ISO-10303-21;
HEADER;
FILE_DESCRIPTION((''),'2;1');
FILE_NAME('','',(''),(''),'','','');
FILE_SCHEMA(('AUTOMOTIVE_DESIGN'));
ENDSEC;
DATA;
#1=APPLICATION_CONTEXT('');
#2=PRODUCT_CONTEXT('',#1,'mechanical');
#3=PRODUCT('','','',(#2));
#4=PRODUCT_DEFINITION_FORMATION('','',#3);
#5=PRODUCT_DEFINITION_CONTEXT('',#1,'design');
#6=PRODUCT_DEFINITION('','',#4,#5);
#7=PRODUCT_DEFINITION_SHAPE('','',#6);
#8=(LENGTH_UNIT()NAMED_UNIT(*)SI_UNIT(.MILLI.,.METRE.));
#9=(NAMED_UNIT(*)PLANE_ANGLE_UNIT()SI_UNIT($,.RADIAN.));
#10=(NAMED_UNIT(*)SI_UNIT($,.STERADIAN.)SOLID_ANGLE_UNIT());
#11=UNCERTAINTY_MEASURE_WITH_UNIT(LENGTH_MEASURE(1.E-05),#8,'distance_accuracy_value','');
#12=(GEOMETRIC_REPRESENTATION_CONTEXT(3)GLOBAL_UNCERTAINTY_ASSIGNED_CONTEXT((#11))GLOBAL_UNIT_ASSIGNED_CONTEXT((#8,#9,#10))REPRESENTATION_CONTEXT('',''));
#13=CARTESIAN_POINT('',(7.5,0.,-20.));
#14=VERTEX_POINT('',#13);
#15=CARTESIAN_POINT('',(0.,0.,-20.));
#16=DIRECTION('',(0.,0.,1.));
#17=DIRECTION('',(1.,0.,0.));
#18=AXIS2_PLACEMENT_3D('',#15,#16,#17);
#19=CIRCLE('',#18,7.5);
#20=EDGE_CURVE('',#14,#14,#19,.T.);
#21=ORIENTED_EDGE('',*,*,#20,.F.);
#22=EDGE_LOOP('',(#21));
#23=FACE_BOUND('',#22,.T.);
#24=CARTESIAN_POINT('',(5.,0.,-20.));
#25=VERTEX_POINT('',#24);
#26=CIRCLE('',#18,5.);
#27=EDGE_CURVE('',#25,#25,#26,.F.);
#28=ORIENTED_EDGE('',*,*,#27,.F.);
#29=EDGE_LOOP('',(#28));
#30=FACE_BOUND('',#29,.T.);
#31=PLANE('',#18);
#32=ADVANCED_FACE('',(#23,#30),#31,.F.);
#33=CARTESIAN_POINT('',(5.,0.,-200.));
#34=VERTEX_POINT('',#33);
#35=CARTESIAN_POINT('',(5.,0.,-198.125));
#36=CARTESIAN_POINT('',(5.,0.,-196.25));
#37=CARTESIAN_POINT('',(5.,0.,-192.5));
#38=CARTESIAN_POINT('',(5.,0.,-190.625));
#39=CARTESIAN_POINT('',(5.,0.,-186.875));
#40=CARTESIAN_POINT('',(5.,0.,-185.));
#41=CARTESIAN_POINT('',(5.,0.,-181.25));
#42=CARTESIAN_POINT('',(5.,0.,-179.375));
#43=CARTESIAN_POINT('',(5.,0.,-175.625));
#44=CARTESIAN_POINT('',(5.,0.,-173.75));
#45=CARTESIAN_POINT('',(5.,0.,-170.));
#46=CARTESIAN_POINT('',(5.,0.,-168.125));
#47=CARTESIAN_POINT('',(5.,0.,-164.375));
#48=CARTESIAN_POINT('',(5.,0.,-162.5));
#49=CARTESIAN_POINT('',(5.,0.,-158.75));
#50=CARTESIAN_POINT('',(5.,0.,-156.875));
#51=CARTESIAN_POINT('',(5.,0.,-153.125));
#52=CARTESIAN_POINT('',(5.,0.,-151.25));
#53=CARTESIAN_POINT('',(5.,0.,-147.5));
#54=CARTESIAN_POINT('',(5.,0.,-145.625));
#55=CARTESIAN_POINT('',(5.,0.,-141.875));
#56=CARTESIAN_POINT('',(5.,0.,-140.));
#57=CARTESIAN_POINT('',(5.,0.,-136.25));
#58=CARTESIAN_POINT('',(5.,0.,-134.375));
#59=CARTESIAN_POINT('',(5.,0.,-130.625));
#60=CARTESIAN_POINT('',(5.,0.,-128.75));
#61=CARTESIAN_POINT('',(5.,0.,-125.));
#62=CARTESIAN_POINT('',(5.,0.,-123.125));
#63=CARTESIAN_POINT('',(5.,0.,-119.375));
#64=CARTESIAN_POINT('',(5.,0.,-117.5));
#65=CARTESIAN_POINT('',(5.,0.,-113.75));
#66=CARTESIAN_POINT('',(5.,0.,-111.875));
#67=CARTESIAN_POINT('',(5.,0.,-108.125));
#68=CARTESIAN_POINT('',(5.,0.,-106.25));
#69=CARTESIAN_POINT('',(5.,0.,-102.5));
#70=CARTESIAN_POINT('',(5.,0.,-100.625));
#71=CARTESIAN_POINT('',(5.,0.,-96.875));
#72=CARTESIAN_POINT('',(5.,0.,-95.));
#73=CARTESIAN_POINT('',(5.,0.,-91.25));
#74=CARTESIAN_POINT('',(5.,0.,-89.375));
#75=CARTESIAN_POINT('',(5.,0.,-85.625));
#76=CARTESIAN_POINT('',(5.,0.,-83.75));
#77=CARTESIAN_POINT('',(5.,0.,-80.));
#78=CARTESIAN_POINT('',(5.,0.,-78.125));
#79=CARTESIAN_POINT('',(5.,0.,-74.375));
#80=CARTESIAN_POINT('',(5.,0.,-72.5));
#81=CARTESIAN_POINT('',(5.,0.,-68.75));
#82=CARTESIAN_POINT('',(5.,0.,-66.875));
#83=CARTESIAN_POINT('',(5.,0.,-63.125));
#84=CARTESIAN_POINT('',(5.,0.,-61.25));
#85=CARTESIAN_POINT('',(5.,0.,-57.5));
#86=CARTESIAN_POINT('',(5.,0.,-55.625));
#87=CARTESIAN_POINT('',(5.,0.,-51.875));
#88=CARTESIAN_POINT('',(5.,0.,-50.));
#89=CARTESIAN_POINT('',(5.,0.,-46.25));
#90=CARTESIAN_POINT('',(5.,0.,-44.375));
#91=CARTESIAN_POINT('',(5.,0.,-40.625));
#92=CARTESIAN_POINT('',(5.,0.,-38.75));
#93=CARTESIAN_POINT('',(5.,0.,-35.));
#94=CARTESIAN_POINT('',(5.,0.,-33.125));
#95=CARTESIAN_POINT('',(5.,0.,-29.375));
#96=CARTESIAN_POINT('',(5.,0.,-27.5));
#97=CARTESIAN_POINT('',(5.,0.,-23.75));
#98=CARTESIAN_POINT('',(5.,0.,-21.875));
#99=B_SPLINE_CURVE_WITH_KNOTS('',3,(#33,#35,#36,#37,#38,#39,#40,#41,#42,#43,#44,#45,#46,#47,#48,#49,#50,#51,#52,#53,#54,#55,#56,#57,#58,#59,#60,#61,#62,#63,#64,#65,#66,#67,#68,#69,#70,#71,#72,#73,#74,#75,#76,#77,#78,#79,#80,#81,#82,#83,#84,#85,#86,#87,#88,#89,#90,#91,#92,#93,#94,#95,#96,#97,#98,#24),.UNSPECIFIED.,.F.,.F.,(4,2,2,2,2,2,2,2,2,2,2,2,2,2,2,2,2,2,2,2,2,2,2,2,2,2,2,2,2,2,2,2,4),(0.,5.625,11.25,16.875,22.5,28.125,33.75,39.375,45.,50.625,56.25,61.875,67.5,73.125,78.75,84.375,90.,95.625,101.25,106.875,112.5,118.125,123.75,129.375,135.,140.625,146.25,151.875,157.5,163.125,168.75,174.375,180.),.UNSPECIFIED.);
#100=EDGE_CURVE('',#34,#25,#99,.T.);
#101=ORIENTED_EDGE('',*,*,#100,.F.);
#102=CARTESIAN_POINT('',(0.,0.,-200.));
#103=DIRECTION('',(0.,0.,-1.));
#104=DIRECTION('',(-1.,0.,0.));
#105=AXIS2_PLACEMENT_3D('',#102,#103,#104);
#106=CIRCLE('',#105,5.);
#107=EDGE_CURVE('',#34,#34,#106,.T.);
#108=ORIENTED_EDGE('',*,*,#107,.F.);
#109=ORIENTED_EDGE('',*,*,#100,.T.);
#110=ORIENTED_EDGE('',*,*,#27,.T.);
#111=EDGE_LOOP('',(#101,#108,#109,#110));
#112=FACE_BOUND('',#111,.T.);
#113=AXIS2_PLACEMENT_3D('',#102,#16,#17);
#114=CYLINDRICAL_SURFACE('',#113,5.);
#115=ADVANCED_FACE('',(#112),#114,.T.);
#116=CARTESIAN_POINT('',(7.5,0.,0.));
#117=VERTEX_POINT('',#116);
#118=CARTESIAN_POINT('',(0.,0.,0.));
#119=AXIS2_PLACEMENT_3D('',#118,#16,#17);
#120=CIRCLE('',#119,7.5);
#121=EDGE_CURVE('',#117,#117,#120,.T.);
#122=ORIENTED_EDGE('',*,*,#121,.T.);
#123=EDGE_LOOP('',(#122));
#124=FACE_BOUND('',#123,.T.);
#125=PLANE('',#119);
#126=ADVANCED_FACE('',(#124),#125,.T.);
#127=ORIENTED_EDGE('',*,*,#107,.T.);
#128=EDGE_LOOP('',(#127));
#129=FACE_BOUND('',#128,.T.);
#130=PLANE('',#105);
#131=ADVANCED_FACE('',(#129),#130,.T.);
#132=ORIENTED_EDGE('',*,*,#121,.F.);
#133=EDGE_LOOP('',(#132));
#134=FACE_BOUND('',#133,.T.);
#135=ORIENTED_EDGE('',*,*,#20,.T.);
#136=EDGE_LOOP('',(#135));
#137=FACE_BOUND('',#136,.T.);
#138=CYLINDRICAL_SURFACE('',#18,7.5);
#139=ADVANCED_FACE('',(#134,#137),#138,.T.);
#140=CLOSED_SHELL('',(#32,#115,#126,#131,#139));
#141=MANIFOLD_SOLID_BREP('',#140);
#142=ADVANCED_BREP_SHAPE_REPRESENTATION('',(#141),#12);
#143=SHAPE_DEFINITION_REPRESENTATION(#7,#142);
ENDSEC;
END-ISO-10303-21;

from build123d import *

# Parameters (mm, degrees)
ESBO_O1_R                = 7.5
RESSALTO_EXTRUS_O1_DEPTH = 20
ESBO_O9_R                = 5
RESSALTO_EXTRUS_O3_DEPTH = 180


with BuildPart() as part:
    # Esboço1 → Ressalto-extrusão1 (new body)
    with BuildSketch(Plane.XY):
        Circle(ESBO_O1_R)
    extrude(amount=-RESSALTO_EXTRUS_O1_DEPTH)

    # Esboço9 → Ressalto-extrusão3 (add)
    with BuildSketch(Plane(origin=(0, 0, -20), x_dir=(-1, 0, 0), z_dir=(0, 0, -1))):
        with Locations(Location((0, 0, 0), (0, 0, 180))):
            Circle(ESBO_O9_R)
    extrude(amount=RESSALTO_EXTRUS_O3_DEPTH)


solid = part.part
